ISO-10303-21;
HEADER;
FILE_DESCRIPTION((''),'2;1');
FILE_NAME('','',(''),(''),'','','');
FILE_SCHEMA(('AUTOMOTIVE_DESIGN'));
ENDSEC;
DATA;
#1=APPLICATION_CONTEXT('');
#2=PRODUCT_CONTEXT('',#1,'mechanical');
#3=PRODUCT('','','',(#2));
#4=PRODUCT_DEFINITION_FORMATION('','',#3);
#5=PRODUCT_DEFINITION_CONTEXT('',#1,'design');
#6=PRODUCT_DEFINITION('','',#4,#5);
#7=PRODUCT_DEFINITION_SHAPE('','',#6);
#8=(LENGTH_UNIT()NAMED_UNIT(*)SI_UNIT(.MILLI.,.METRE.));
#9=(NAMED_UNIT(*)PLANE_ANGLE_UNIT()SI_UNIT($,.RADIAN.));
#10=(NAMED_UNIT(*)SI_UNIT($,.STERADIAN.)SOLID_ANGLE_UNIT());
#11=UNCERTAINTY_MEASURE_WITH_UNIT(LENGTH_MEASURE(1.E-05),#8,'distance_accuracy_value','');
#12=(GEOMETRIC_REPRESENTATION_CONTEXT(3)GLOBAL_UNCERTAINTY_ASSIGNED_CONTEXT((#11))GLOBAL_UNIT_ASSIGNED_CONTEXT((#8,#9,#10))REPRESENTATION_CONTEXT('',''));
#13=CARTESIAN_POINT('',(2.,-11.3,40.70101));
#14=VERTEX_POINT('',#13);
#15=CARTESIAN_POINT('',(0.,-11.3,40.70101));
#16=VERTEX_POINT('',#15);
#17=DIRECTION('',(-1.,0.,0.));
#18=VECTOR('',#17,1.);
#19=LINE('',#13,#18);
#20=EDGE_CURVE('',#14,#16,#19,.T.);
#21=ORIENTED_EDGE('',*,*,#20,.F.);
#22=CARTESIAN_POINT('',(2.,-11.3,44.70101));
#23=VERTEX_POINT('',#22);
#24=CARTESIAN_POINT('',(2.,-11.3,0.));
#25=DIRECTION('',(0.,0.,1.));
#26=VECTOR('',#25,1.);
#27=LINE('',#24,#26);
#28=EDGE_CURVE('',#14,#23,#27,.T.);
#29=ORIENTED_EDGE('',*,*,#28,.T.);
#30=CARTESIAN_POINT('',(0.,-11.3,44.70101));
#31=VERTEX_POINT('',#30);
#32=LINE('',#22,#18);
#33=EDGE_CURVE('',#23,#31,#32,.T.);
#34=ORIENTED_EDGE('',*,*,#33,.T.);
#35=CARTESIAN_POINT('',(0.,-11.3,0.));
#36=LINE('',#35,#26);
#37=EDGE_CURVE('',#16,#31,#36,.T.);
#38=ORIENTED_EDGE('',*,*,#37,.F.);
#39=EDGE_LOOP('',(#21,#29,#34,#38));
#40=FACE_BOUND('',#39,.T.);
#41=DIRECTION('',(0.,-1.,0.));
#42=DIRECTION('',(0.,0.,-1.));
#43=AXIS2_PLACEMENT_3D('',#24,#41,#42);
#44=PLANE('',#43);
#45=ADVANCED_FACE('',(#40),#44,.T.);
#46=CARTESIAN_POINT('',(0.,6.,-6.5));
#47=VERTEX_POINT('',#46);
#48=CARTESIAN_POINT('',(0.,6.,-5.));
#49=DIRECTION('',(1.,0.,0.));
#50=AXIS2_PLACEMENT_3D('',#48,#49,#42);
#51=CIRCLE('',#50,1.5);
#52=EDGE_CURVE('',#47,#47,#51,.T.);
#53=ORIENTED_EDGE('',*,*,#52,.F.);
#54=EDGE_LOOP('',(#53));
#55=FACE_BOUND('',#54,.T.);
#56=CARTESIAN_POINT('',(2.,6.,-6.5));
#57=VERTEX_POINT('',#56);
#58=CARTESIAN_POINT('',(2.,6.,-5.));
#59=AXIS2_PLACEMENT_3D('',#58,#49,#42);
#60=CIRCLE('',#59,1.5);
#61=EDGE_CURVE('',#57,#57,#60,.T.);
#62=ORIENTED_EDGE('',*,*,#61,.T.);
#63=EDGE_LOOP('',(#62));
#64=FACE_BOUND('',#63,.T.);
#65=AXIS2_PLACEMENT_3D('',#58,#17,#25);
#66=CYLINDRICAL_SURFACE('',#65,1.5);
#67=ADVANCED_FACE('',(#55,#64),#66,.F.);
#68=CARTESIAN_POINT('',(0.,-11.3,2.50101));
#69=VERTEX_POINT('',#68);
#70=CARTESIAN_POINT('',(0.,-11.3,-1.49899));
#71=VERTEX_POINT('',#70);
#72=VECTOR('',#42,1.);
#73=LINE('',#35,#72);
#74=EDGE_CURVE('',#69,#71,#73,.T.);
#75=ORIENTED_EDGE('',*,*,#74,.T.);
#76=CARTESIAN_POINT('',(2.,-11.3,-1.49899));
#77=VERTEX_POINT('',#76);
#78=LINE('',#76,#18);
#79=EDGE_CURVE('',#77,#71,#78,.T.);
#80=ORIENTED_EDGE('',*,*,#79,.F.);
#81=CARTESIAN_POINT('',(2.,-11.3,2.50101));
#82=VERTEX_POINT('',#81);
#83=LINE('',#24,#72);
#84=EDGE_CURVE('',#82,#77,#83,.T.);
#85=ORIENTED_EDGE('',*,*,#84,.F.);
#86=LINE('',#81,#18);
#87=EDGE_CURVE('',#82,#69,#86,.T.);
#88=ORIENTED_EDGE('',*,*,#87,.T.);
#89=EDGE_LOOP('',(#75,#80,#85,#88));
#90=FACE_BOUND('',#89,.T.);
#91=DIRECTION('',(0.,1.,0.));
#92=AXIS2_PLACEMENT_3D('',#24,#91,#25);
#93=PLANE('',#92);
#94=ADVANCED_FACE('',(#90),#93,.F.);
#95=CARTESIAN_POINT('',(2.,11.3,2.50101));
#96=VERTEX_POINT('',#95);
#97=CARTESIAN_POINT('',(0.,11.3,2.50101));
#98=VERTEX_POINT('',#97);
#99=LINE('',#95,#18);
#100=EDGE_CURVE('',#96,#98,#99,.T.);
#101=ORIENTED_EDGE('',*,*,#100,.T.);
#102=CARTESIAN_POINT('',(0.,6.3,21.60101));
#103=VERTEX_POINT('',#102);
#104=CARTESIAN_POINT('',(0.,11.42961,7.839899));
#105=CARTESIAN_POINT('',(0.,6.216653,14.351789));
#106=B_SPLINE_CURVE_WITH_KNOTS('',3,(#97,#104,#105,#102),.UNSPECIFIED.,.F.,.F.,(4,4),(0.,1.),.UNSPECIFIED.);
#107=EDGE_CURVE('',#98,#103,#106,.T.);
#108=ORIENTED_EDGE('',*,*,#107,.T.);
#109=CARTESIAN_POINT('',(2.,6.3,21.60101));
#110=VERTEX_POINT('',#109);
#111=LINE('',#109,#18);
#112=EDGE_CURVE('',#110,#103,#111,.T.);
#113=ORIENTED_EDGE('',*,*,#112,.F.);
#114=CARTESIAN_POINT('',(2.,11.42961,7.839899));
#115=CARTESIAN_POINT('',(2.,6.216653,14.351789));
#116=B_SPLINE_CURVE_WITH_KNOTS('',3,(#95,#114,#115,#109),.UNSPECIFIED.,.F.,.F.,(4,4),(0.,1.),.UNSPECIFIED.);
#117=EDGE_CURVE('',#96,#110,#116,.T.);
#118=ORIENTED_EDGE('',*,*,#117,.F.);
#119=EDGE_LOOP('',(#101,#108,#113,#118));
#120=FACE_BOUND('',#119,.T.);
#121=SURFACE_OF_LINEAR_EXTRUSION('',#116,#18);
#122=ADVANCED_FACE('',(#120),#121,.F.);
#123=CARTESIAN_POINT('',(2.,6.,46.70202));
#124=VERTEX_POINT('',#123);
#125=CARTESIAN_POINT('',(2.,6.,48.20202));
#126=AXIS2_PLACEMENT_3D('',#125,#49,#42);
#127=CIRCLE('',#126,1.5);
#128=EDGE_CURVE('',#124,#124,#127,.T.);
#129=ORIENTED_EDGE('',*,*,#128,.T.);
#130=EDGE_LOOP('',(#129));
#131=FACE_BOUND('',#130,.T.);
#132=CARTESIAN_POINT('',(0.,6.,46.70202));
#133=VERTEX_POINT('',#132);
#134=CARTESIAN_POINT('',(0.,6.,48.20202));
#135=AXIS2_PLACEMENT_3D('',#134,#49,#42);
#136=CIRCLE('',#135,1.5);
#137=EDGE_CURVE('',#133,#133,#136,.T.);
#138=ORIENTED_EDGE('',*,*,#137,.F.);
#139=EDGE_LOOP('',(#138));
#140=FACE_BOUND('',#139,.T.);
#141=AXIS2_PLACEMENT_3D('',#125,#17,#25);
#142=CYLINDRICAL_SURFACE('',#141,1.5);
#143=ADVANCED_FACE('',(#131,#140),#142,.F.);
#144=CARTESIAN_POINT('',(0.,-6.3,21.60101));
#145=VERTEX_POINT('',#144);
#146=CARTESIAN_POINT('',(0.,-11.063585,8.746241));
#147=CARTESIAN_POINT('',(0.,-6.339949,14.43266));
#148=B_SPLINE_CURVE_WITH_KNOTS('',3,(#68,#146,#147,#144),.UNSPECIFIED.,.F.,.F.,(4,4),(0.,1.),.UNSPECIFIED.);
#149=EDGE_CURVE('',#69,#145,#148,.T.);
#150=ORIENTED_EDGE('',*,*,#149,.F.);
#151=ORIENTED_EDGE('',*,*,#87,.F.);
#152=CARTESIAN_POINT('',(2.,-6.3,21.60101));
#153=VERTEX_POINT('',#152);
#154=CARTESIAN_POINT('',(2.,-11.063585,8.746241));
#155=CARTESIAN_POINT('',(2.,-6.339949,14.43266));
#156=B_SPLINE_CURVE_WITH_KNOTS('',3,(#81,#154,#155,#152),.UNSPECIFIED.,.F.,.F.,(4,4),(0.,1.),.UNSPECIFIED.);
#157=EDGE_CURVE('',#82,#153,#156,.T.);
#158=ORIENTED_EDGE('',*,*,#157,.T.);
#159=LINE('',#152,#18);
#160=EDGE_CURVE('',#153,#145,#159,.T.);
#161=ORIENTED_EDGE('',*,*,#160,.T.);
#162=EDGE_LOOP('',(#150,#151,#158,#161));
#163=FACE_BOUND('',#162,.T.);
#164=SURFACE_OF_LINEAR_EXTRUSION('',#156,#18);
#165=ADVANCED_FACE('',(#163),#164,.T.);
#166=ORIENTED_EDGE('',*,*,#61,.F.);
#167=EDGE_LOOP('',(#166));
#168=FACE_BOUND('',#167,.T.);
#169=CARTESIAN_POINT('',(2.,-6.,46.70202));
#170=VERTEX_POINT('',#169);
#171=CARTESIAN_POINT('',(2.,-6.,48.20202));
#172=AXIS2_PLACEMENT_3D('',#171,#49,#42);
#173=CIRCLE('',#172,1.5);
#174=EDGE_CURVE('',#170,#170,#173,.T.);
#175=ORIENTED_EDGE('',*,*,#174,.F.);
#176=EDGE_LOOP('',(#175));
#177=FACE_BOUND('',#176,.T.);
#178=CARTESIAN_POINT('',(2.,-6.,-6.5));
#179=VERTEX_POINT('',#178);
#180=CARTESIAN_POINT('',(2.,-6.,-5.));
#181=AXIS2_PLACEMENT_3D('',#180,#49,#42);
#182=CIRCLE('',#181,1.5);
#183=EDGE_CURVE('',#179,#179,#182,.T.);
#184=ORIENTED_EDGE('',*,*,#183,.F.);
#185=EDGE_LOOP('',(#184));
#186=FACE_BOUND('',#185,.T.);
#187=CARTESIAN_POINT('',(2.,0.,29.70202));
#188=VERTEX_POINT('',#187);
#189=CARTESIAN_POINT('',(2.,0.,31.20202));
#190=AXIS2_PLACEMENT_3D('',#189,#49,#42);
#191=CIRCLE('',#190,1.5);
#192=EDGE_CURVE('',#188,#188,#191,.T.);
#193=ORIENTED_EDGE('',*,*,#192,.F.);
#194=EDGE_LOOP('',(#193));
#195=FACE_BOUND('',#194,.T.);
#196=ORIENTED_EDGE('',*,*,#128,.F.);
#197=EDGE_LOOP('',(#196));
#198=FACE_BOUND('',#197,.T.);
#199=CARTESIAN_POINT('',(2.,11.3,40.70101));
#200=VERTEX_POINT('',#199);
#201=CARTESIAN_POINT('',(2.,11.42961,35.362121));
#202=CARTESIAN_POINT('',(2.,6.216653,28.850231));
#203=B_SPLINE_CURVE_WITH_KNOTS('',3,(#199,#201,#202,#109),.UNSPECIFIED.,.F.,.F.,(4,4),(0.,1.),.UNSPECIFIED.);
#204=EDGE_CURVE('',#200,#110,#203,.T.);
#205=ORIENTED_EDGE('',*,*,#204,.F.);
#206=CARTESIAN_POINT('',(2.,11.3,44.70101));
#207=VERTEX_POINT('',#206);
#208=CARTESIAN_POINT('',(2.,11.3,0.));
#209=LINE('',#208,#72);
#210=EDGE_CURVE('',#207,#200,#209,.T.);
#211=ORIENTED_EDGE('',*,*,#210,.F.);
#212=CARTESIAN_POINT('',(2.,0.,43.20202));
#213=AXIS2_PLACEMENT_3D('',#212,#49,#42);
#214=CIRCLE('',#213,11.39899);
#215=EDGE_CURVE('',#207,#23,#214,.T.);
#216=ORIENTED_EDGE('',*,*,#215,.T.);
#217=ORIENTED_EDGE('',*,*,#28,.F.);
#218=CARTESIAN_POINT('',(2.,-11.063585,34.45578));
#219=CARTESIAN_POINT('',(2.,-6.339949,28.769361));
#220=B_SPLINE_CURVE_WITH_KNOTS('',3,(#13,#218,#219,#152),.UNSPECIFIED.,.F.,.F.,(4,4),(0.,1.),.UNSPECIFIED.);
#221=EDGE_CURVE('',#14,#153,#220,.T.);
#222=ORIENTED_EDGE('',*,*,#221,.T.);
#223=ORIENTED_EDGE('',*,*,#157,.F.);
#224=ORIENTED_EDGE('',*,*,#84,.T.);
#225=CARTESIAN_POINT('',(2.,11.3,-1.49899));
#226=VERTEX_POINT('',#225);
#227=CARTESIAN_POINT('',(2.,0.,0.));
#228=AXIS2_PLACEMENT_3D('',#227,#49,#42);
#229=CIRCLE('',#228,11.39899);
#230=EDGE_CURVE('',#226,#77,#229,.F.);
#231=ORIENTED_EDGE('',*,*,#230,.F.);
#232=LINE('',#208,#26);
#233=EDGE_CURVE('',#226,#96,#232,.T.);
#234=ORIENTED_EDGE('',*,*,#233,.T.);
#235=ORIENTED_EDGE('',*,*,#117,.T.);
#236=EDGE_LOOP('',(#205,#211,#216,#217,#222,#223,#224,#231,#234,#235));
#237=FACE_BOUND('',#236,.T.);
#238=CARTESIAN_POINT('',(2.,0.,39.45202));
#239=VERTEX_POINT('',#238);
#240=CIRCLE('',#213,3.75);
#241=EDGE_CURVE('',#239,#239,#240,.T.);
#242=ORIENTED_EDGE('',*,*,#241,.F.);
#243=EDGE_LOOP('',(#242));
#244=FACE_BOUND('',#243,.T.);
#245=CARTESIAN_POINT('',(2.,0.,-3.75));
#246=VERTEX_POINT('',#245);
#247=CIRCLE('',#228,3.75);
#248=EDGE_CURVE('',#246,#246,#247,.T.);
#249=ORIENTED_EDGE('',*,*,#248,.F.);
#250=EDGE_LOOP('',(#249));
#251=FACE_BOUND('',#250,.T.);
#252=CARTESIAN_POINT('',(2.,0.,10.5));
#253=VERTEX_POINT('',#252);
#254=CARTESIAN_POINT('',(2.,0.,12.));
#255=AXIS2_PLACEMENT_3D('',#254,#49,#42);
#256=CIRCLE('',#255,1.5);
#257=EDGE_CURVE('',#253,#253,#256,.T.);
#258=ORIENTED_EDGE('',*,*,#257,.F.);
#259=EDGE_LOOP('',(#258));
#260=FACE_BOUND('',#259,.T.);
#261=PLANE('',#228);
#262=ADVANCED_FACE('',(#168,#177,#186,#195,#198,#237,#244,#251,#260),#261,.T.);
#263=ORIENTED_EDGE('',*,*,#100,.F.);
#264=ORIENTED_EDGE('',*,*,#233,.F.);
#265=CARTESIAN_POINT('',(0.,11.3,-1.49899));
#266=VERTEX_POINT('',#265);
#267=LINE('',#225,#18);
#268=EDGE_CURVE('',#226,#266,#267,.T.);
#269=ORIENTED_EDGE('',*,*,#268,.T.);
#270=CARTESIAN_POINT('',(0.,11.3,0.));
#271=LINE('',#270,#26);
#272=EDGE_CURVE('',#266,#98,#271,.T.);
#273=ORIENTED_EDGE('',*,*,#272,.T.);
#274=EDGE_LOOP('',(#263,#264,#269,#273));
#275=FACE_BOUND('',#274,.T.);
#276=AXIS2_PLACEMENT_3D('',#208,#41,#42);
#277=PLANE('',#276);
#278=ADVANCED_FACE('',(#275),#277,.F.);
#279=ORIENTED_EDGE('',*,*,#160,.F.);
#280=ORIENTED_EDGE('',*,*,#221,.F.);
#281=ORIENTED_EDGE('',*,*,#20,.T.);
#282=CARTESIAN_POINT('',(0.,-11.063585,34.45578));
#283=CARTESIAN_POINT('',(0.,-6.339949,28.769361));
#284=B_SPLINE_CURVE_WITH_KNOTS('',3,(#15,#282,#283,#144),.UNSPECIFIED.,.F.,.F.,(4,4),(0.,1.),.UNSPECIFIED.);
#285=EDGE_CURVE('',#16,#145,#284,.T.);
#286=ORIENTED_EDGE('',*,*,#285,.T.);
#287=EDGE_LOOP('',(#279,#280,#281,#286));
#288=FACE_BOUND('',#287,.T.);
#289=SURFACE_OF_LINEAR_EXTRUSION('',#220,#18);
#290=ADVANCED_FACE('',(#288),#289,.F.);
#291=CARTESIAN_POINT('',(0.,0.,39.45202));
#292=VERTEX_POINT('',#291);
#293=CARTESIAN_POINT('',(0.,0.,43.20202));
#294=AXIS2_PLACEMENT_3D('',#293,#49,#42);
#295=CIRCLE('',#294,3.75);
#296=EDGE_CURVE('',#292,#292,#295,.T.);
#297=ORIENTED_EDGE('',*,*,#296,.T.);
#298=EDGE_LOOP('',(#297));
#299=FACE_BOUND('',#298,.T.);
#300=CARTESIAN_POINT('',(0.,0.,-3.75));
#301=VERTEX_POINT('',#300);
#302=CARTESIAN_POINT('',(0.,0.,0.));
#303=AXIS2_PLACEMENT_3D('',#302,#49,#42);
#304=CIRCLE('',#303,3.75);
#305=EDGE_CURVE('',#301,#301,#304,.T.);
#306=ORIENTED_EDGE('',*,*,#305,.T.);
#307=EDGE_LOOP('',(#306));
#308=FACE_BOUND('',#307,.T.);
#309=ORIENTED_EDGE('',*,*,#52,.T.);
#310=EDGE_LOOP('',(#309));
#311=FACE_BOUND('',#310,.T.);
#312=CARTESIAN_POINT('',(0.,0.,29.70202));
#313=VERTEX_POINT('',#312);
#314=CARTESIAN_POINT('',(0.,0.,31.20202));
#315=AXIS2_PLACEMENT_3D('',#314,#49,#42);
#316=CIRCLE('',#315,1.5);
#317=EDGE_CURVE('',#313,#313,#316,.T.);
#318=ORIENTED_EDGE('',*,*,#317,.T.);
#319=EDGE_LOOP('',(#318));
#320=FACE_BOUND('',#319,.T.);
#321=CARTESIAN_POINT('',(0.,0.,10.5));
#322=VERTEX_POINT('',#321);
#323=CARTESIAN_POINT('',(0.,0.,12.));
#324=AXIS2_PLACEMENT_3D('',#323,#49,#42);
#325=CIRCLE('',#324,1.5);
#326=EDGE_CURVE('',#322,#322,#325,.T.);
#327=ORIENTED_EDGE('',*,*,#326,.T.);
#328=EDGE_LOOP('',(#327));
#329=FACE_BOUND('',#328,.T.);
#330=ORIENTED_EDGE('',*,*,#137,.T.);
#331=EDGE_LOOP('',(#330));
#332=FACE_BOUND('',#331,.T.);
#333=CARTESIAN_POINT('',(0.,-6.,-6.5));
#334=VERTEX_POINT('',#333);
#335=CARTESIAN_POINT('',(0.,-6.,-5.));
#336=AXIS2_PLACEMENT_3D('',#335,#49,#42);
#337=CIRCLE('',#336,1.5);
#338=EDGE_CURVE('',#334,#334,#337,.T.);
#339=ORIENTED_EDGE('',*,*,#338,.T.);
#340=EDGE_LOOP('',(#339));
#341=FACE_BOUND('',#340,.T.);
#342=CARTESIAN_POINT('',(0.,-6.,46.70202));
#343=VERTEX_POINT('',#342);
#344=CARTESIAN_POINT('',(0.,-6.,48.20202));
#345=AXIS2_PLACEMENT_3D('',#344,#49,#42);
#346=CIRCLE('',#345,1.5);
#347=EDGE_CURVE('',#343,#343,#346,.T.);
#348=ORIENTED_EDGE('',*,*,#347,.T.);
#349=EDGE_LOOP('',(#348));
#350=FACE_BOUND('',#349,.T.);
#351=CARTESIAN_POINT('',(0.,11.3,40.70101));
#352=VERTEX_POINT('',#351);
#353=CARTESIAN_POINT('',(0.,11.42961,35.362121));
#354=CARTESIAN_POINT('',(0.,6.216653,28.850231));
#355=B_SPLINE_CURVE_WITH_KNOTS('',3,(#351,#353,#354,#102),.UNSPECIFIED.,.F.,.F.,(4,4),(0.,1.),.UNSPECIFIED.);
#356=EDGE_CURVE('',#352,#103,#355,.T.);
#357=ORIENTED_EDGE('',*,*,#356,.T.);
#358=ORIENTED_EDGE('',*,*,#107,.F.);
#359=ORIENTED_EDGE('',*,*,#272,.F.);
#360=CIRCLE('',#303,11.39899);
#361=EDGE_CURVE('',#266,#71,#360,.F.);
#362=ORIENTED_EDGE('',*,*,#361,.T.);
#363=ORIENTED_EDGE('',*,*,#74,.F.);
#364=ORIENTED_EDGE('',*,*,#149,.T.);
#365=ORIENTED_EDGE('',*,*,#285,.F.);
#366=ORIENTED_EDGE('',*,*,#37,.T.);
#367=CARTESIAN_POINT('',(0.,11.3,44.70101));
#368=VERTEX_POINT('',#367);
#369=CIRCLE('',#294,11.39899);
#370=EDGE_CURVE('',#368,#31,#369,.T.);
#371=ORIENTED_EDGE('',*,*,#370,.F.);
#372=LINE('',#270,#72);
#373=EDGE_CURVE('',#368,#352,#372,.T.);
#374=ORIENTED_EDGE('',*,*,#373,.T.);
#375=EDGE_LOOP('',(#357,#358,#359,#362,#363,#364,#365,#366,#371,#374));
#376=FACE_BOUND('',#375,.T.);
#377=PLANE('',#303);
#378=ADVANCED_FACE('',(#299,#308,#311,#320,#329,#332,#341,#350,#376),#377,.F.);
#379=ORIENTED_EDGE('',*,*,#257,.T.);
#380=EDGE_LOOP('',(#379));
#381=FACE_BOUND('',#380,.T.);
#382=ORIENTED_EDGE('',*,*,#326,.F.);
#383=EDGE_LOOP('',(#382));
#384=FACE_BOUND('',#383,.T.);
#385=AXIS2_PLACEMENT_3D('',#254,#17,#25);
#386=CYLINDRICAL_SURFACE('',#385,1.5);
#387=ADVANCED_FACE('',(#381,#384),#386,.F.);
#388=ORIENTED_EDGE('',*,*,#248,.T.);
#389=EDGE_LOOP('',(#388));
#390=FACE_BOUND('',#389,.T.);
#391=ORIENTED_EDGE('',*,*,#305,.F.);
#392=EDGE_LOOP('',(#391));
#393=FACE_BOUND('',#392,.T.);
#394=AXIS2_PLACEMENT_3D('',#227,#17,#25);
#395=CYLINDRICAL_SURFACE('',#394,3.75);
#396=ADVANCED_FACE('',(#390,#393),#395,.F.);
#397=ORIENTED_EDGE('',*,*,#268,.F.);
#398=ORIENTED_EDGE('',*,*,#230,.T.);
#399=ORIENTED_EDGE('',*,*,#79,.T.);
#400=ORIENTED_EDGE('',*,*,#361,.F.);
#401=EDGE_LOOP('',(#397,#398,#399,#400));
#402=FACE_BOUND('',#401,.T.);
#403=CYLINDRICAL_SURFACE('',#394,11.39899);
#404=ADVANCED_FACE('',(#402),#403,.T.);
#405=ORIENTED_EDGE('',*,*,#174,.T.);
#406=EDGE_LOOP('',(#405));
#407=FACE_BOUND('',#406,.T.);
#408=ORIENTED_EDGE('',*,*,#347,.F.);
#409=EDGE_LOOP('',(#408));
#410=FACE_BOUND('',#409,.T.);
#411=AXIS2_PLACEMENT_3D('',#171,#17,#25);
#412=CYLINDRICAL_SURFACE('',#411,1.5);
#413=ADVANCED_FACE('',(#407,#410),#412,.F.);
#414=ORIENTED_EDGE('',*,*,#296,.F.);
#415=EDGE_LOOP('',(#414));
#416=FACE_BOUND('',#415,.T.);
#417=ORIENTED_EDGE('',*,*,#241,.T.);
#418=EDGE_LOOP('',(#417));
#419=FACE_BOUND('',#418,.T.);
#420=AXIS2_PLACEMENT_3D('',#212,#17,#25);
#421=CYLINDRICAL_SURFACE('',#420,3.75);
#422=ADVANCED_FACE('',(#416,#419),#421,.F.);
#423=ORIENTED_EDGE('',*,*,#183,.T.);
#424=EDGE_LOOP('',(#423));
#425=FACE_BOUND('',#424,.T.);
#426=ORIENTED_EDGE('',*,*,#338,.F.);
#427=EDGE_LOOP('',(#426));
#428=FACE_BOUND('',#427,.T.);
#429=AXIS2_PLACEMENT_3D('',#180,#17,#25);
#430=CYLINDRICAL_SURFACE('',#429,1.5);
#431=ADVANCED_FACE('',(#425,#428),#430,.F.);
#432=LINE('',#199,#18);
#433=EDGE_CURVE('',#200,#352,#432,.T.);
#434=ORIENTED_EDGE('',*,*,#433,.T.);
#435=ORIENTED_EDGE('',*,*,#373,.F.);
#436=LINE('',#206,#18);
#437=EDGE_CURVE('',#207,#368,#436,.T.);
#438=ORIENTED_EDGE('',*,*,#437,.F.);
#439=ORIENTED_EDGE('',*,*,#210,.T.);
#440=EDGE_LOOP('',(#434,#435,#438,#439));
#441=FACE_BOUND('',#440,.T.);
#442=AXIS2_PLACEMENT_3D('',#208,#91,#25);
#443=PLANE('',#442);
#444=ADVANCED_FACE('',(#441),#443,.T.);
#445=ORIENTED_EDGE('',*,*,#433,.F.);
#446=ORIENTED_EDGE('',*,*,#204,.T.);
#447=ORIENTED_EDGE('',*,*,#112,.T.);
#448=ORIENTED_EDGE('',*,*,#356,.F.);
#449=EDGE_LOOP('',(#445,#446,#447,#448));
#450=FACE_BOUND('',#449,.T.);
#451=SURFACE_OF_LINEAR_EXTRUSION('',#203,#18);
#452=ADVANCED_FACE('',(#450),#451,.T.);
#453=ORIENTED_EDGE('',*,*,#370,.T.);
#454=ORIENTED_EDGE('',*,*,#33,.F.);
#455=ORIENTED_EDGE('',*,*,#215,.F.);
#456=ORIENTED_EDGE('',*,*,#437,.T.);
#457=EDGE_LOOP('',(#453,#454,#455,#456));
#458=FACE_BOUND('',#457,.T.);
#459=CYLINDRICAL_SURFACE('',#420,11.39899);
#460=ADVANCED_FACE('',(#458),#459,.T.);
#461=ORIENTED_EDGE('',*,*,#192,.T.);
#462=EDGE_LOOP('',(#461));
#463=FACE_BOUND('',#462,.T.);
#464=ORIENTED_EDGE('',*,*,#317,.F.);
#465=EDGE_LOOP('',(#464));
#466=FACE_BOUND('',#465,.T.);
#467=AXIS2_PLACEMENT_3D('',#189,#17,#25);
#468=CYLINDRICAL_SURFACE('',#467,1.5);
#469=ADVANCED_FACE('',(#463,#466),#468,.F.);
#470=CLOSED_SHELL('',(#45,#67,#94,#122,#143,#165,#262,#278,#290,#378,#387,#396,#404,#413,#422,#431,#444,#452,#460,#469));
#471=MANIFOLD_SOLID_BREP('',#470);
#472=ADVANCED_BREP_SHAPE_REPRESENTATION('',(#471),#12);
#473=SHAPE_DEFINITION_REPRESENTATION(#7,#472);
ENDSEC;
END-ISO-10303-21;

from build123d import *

# Parameters (mm, degrees)
SCHIZZO1_R                   = 1.5
SCHIZZO1_R_2                 = 3.75
ESTRUSIONE_ESTRUSIONE1_DEPTH = 2


with BuildPart() as part:
    # Schizzo1 → Estrusione-Estrusione1 (new body)
    with BuildSketch(Plane(origin=(0, 0, 0), x_dir=(0, 0, -1), z_dir=(1, 0, 0))):
        with BuildLine():
            Line((-2.501010101, -11.3), (1.498989899, -11.3))
            ThreePointArc((1.498989899, -11.3), (11.398989899, 0), (1.498989899, 11.3))
            Line((1.498989899, 11.3), (-2.501010101, 11.3))
            add(Edge.make_bspline(
                [(-2.501010101, 11.3), (-7.839898951, 11.429610053), (-14.35178918, 6.216652626), (-21.601010101, 6.3)],
                knots=[0, 0, 0, 0, 1, 1, 1, 1], degree=3))
            add(Edge.make_bspline(
                [(-40.701010101, 11.3), (-35.362121251, 11.429610053), (-28.850231022, 6.216652626), (-21.601010101, 6.3)],
                knots=[0, 0, 0, 0, 1, 1, 1, 1], degree=3))
            Line((-40.701010101, 11.3), (-44.701010101, 11.3))
            ThreePointArc((-44.701010101, 11.3), (-54.601010101, 0), (-44.701010101, -11.3))
            Line((-44.701010101, -11.3), (-40.701010101, -11.3))
            add(Edge.make_bspline(
                [(-40.701010101, -11.3), (-34.455779635, -11.063584615), (-28.769360616, -6.33994929), (-21.601010101, -6.3)],
                knots=[0, 0, 0, 0, 1, 1, 1, 1], degree=3))
            add(Edge.make_bspline(
                [(-2.501010101, -11.3), (-8.746240567, -11.063584615), (-14.432659586, -6.33994929), (-21.601010101, -6.3)],
                knots=[0, 0, 0, 0, 1, 1, 1, 1], degree=3))
        make_face()
        with Locations((-48.202020202, 6)):
            Circle(SCHIZZO1_R, mode=Mode.SUBTRACT)
        with Locations((-48.202020202, -6)):
            Circle(SCHIZZO1_R, mode=Mode.SUBTRACT)
        with Locations((-31.202020202, 0)):
            Circle(SCHIZZO1_R, mode=Mode.SUBTRACT)
        with Locations((-12, 0)):
            Circle(SCHIZZO1_R, mode=Mode.SUBTRACT)
        with Locations((5, 6)):
            Circle(SCHIZZO1_R, mode=Mode.SUBTRACT)
        with Locations((5, -6)):
            Circle(SCHIZZO1_R, mode=Mode.SUBTRACT)
        with Locations((-43.202020202, 0)):
            Circle(SCHIZZO1_R_2, mode=Mode.SUBTRACT)
        Circle(SCHIZZO1_R_2, mode=Mode.SUBTRACT)
    extrude(amount=ESTRUSIONE_ESTRUSIONE1_DEPTH)


solid = part.part
